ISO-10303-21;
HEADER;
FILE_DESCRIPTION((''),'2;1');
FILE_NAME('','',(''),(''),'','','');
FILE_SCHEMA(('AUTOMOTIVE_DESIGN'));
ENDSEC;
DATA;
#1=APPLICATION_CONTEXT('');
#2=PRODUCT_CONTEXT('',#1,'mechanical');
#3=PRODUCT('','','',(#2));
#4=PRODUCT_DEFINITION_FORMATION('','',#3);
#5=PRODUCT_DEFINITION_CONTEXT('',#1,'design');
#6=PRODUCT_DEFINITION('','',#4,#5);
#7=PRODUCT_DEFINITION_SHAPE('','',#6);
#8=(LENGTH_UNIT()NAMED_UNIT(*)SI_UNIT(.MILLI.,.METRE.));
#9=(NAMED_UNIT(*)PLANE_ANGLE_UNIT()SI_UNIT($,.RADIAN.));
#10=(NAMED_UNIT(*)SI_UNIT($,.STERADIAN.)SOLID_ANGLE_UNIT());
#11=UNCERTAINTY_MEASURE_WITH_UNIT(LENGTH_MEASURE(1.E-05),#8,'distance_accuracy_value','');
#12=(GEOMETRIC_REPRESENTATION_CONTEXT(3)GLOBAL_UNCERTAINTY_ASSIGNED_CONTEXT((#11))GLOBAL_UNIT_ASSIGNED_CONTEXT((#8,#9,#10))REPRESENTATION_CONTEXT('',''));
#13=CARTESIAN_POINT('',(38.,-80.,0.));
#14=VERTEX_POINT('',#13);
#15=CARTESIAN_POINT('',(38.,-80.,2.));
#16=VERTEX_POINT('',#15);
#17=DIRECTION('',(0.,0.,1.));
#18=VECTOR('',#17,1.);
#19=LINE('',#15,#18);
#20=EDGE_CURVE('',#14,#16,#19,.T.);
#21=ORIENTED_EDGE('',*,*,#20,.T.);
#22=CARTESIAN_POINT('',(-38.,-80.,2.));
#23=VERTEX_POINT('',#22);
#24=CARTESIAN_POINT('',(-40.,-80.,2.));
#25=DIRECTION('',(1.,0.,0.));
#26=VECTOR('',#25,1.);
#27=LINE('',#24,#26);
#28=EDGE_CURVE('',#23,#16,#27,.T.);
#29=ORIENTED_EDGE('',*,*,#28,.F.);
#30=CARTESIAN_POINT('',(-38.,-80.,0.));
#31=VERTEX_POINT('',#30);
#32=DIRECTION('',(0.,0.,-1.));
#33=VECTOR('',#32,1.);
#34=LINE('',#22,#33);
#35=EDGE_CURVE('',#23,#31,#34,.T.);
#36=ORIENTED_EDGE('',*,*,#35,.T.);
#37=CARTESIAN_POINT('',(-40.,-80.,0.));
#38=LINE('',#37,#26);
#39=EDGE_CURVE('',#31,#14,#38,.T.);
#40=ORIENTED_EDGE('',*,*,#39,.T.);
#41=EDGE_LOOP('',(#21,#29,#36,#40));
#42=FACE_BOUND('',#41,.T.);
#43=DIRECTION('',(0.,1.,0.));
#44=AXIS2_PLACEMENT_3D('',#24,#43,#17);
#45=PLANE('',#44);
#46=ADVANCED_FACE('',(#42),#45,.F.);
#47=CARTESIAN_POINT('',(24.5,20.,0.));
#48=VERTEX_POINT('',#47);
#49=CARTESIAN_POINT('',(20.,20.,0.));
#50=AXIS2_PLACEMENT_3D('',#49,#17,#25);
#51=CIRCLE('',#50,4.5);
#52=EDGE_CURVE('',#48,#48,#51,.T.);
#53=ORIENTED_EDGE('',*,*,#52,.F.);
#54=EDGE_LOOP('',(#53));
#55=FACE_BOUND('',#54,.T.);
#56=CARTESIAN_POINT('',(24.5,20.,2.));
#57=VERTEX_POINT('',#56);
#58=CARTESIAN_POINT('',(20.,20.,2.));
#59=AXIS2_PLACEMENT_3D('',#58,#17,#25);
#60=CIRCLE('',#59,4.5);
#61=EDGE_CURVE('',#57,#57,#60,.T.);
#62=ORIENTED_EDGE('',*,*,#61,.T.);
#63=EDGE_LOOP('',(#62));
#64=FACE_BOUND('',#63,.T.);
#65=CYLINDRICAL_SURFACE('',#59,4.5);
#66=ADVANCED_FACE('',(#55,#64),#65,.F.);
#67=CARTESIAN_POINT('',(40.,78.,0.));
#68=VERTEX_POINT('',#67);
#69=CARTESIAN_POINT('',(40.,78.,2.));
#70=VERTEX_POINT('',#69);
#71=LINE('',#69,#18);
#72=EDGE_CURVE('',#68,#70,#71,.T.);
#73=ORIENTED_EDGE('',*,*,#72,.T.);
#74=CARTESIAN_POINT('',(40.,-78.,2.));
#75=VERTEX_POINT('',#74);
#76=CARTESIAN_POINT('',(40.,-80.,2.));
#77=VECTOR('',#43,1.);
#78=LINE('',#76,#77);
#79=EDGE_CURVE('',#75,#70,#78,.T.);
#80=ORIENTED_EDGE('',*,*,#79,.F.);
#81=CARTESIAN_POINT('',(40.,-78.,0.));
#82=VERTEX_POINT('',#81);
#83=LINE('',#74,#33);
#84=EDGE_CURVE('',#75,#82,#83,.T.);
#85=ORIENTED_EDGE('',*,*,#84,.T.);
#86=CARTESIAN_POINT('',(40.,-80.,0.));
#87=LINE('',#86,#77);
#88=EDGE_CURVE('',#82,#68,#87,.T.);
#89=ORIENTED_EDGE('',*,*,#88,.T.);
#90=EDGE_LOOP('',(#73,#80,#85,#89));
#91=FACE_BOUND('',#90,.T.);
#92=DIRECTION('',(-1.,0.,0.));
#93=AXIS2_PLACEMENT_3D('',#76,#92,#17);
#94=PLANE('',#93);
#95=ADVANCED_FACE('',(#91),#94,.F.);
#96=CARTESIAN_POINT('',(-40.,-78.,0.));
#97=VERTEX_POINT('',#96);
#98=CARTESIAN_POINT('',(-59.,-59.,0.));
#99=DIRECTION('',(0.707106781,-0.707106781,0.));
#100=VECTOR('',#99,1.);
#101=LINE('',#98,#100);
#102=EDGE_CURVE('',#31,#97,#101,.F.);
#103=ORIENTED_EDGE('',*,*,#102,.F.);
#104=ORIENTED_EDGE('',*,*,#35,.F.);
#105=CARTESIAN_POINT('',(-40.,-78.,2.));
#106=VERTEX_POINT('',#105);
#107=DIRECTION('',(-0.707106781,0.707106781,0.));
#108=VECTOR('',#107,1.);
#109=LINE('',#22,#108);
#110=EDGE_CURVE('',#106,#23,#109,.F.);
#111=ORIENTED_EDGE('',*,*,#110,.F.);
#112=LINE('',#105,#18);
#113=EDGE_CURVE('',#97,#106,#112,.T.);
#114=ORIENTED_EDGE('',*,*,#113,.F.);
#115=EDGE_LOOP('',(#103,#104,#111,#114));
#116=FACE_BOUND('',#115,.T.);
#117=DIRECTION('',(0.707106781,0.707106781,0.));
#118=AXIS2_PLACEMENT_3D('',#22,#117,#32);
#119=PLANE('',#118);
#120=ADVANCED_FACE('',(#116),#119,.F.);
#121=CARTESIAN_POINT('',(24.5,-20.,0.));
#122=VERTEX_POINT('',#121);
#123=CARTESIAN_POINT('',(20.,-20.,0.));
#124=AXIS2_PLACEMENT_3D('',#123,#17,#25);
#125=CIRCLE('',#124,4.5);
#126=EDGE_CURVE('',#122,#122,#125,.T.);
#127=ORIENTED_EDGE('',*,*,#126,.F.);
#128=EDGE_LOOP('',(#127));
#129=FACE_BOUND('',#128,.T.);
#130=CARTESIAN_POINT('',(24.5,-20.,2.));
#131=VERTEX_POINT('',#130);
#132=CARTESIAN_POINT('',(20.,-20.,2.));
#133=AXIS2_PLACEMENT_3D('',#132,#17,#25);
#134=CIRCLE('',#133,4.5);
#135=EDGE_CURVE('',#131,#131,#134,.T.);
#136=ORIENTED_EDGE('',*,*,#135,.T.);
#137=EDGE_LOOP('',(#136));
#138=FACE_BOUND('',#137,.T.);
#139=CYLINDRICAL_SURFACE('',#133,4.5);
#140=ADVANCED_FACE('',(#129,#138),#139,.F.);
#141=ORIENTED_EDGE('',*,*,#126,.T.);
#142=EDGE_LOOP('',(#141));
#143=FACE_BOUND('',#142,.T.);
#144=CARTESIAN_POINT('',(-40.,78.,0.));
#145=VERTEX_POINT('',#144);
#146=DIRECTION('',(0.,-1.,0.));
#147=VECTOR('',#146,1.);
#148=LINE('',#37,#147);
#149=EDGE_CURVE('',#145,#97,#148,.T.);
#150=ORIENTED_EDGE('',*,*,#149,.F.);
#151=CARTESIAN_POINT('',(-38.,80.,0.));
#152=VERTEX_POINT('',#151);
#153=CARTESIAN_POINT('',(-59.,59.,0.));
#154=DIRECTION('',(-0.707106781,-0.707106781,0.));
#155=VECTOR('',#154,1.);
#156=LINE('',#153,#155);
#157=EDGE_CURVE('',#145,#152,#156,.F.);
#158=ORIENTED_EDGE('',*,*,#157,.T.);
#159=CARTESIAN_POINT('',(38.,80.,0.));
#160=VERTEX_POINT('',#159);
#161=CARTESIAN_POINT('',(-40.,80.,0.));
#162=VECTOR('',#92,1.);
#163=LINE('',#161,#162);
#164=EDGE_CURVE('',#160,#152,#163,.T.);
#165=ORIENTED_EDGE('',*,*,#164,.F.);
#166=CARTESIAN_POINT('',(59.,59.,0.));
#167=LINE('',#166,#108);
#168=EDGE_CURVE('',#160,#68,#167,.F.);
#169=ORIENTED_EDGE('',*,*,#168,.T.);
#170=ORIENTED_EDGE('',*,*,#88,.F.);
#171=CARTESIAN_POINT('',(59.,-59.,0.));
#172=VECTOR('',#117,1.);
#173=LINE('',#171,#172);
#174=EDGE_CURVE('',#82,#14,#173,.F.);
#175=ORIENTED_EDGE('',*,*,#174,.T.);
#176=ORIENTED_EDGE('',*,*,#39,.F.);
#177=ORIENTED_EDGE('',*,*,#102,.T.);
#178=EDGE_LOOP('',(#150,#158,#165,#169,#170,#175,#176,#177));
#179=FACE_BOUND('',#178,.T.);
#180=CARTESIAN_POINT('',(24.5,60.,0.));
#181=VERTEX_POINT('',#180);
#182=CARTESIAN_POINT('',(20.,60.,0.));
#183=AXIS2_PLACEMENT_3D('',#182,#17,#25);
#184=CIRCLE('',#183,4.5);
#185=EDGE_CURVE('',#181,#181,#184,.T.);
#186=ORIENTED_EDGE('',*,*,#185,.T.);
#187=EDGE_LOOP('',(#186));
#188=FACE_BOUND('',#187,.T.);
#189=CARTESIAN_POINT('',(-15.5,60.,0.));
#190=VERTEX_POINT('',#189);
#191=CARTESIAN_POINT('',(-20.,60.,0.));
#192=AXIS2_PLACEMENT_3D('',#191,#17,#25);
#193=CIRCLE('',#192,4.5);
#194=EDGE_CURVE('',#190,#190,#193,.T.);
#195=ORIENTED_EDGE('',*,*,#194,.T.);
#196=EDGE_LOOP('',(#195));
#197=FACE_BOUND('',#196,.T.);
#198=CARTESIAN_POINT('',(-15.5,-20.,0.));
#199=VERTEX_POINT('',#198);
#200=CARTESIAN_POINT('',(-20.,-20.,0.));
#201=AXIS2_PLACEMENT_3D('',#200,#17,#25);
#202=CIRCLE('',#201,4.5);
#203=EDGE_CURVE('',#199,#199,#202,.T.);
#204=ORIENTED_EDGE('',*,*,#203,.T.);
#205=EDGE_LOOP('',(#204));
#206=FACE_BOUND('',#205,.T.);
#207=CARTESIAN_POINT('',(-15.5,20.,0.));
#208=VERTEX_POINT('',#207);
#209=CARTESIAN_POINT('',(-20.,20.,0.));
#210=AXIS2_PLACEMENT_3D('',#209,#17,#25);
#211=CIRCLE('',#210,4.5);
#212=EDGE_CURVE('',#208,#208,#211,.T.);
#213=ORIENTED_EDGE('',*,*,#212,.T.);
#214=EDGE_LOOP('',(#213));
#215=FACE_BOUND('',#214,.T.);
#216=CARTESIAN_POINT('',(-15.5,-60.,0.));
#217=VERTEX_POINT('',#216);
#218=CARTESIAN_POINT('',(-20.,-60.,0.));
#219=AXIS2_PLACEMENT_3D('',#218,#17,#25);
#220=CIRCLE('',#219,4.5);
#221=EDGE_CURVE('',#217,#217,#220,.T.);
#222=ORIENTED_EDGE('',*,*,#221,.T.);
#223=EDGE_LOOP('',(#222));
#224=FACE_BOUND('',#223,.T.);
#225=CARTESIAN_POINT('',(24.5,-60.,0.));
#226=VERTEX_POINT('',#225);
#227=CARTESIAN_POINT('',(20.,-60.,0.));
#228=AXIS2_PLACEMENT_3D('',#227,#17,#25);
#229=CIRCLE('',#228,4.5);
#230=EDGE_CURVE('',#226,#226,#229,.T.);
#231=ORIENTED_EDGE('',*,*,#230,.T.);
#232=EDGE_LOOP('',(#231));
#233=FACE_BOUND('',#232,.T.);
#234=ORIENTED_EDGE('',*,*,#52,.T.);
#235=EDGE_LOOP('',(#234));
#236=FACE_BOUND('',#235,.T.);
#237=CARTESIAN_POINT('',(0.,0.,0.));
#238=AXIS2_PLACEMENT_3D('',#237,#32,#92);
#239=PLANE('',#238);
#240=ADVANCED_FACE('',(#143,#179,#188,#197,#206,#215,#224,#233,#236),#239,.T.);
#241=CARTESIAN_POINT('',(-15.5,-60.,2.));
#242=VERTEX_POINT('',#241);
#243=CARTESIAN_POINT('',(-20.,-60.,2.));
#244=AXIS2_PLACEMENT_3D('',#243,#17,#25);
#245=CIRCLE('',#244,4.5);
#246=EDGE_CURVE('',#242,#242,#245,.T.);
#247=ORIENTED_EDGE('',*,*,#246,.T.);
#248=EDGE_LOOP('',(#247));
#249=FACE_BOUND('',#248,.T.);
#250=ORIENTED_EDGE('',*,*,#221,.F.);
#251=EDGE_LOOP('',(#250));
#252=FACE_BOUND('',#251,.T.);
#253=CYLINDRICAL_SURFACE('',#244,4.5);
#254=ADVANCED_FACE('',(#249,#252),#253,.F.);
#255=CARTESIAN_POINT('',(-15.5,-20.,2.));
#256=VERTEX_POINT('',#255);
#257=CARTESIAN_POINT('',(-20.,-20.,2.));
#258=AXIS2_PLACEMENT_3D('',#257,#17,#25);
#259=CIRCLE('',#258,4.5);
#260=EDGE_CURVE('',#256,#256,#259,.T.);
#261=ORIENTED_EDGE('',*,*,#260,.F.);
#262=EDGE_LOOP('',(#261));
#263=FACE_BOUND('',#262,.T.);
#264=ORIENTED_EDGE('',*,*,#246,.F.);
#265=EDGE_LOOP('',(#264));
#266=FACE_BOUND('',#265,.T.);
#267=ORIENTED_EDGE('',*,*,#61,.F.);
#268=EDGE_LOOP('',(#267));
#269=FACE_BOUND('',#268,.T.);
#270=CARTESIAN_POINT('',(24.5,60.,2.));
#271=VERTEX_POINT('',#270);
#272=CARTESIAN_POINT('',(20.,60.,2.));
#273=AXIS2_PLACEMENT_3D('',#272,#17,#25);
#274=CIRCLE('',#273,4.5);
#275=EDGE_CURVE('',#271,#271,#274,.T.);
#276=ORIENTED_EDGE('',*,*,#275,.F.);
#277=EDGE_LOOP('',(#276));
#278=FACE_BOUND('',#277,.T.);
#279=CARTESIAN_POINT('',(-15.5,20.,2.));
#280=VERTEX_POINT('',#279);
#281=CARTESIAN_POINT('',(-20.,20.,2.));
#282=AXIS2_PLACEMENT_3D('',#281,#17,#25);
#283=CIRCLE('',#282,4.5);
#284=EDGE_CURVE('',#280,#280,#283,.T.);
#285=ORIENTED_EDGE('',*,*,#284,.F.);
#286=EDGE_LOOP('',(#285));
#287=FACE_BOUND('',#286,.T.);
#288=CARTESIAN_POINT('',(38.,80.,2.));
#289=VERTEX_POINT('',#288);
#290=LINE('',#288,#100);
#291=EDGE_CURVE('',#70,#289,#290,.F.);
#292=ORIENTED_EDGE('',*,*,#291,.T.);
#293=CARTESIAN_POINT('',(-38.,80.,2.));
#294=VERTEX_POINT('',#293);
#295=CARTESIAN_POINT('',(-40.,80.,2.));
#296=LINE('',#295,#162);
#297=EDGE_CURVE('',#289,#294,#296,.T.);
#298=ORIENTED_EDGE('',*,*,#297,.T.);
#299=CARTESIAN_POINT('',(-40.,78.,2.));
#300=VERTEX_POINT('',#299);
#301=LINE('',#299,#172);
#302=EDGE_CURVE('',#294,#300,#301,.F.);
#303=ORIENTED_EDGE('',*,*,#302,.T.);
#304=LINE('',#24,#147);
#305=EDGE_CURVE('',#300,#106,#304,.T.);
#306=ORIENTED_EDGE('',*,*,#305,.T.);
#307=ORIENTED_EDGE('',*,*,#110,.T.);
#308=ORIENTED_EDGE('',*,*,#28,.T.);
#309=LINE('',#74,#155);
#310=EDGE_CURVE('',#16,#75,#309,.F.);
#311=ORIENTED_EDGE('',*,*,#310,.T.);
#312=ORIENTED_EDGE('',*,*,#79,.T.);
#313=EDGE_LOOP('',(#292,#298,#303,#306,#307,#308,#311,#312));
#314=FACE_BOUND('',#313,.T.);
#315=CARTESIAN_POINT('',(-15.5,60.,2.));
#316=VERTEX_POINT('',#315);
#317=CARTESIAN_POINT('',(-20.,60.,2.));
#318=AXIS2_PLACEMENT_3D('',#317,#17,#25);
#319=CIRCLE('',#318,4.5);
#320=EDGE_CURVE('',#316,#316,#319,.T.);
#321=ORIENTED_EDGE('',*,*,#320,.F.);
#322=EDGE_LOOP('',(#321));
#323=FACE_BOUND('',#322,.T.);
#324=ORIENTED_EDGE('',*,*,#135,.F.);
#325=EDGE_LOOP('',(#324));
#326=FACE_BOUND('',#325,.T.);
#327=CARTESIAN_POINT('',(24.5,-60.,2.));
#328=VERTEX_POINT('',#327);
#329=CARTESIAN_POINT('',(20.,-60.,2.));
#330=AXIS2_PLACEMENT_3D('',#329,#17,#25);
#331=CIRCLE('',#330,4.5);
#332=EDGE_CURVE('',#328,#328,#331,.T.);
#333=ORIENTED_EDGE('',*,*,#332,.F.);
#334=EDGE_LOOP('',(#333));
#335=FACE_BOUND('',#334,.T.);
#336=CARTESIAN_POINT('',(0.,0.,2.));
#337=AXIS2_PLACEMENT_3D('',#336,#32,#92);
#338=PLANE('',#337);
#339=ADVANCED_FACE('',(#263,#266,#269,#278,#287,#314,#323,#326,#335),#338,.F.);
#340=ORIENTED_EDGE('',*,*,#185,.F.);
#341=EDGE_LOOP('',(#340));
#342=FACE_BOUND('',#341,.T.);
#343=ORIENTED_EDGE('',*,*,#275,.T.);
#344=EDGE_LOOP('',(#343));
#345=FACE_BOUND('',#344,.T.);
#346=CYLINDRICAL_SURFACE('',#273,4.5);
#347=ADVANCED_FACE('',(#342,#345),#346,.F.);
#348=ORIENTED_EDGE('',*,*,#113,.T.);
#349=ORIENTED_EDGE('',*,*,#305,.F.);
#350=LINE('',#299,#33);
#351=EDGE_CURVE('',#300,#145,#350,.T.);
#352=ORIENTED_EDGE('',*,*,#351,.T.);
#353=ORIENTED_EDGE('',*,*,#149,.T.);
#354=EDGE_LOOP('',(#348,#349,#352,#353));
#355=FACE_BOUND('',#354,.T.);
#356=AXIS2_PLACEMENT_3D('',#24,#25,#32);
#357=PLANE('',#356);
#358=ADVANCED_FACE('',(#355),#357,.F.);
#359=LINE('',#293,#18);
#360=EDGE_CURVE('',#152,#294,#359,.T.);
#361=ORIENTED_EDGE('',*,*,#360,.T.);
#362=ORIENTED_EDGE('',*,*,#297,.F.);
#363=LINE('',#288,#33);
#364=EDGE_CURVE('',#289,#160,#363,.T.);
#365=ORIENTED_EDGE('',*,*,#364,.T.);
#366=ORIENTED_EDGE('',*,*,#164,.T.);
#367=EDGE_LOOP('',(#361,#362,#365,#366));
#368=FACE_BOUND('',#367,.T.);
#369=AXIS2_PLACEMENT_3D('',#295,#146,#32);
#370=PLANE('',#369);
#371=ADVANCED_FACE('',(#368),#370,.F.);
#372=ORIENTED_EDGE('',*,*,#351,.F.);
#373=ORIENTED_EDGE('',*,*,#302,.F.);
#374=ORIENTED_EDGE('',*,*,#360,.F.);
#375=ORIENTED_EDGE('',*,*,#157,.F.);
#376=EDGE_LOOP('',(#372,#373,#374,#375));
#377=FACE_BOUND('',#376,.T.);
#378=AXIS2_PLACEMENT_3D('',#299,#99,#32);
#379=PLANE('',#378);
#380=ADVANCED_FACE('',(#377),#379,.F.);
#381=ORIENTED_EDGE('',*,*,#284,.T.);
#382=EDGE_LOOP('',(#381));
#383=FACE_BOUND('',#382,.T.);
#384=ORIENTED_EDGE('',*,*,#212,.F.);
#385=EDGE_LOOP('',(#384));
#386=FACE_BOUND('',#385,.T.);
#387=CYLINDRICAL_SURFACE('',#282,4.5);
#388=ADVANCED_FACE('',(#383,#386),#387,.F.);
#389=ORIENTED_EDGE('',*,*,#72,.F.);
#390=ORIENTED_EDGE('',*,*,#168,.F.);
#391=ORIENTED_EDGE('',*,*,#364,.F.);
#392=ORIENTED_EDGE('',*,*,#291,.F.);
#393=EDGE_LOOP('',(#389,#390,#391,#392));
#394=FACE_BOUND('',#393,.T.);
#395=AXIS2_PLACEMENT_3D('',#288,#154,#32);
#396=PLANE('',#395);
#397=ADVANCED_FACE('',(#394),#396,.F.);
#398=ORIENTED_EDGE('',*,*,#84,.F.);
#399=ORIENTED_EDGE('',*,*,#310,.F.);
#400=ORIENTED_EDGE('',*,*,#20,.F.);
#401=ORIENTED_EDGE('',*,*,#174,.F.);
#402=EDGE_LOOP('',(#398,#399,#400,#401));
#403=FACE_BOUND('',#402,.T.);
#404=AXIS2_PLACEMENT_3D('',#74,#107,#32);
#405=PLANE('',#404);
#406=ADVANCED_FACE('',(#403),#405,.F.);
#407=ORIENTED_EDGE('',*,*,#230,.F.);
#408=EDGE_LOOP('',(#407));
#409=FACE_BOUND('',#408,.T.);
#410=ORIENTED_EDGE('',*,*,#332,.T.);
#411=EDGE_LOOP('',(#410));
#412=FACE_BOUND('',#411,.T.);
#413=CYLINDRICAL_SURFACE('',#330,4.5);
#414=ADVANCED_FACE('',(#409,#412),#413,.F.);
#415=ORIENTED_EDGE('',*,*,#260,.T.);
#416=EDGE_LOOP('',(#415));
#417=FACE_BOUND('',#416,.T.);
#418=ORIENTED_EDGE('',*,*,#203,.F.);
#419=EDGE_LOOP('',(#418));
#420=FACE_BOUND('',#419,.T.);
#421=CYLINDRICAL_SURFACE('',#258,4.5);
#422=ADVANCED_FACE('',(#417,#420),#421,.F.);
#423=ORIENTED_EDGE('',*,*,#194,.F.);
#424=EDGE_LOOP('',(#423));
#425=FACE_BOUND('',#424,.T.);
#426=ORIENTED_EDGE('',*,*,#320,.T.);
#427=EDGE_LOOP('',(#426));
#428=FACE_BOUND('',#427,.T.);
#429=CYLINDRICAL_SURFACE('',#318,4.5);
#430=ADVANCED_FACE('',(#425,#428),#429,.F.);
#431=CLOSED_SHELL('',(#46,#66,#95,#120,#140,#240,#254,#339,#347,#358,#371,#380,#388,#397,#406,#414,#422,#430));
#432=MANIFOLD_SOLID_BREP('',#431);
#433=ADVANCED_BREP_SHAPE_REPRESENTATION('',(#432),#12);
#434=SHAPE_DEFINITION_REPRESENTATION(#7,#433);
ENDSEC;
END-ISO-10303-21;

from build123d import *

# Parameters (mm, degrees)
SKETCH_1_W        = 80
SKETCH_1_H        = 160
EXTRUDE_1_DEPTH   = 2
CHAMFER_1_SIZE    = 2
HOLE_WIZARD_M81_D = 9


with BuildPart() as part:
    # Эскиз1 → Бобышка-Вытянуть1 (new body)
    with BuildSketch(Plane.XY):
        Rectangle(SKETCH_1_W, SKETCH_1_H)
    extrude(amount=EXTRUDE_1_DEPTH)

    # Фаска1
    chamfer_1_edges = [part.edges().sort_by_distance(p)[0] for p in [
        (40, -80, 1),
        (-40, -80, 1),
        (-40, 80, 1),
        (40, 80, 1),
    ]]
    chamfer(chamfer_1_edges, length=CHAMFER_1_SIZE)

    # Отверстие с зазором M81 (through all)
    with Locations(Plane.XY.offset(2)):
        with Locations((-20, 20), (20, 20), (-20, -20), (20, -20), (-20, 60), (20, 60), (20, -60), (-20, -60)):
            Hole(HOLE_WIZARD_M81_D / 2)


solid = part.part
